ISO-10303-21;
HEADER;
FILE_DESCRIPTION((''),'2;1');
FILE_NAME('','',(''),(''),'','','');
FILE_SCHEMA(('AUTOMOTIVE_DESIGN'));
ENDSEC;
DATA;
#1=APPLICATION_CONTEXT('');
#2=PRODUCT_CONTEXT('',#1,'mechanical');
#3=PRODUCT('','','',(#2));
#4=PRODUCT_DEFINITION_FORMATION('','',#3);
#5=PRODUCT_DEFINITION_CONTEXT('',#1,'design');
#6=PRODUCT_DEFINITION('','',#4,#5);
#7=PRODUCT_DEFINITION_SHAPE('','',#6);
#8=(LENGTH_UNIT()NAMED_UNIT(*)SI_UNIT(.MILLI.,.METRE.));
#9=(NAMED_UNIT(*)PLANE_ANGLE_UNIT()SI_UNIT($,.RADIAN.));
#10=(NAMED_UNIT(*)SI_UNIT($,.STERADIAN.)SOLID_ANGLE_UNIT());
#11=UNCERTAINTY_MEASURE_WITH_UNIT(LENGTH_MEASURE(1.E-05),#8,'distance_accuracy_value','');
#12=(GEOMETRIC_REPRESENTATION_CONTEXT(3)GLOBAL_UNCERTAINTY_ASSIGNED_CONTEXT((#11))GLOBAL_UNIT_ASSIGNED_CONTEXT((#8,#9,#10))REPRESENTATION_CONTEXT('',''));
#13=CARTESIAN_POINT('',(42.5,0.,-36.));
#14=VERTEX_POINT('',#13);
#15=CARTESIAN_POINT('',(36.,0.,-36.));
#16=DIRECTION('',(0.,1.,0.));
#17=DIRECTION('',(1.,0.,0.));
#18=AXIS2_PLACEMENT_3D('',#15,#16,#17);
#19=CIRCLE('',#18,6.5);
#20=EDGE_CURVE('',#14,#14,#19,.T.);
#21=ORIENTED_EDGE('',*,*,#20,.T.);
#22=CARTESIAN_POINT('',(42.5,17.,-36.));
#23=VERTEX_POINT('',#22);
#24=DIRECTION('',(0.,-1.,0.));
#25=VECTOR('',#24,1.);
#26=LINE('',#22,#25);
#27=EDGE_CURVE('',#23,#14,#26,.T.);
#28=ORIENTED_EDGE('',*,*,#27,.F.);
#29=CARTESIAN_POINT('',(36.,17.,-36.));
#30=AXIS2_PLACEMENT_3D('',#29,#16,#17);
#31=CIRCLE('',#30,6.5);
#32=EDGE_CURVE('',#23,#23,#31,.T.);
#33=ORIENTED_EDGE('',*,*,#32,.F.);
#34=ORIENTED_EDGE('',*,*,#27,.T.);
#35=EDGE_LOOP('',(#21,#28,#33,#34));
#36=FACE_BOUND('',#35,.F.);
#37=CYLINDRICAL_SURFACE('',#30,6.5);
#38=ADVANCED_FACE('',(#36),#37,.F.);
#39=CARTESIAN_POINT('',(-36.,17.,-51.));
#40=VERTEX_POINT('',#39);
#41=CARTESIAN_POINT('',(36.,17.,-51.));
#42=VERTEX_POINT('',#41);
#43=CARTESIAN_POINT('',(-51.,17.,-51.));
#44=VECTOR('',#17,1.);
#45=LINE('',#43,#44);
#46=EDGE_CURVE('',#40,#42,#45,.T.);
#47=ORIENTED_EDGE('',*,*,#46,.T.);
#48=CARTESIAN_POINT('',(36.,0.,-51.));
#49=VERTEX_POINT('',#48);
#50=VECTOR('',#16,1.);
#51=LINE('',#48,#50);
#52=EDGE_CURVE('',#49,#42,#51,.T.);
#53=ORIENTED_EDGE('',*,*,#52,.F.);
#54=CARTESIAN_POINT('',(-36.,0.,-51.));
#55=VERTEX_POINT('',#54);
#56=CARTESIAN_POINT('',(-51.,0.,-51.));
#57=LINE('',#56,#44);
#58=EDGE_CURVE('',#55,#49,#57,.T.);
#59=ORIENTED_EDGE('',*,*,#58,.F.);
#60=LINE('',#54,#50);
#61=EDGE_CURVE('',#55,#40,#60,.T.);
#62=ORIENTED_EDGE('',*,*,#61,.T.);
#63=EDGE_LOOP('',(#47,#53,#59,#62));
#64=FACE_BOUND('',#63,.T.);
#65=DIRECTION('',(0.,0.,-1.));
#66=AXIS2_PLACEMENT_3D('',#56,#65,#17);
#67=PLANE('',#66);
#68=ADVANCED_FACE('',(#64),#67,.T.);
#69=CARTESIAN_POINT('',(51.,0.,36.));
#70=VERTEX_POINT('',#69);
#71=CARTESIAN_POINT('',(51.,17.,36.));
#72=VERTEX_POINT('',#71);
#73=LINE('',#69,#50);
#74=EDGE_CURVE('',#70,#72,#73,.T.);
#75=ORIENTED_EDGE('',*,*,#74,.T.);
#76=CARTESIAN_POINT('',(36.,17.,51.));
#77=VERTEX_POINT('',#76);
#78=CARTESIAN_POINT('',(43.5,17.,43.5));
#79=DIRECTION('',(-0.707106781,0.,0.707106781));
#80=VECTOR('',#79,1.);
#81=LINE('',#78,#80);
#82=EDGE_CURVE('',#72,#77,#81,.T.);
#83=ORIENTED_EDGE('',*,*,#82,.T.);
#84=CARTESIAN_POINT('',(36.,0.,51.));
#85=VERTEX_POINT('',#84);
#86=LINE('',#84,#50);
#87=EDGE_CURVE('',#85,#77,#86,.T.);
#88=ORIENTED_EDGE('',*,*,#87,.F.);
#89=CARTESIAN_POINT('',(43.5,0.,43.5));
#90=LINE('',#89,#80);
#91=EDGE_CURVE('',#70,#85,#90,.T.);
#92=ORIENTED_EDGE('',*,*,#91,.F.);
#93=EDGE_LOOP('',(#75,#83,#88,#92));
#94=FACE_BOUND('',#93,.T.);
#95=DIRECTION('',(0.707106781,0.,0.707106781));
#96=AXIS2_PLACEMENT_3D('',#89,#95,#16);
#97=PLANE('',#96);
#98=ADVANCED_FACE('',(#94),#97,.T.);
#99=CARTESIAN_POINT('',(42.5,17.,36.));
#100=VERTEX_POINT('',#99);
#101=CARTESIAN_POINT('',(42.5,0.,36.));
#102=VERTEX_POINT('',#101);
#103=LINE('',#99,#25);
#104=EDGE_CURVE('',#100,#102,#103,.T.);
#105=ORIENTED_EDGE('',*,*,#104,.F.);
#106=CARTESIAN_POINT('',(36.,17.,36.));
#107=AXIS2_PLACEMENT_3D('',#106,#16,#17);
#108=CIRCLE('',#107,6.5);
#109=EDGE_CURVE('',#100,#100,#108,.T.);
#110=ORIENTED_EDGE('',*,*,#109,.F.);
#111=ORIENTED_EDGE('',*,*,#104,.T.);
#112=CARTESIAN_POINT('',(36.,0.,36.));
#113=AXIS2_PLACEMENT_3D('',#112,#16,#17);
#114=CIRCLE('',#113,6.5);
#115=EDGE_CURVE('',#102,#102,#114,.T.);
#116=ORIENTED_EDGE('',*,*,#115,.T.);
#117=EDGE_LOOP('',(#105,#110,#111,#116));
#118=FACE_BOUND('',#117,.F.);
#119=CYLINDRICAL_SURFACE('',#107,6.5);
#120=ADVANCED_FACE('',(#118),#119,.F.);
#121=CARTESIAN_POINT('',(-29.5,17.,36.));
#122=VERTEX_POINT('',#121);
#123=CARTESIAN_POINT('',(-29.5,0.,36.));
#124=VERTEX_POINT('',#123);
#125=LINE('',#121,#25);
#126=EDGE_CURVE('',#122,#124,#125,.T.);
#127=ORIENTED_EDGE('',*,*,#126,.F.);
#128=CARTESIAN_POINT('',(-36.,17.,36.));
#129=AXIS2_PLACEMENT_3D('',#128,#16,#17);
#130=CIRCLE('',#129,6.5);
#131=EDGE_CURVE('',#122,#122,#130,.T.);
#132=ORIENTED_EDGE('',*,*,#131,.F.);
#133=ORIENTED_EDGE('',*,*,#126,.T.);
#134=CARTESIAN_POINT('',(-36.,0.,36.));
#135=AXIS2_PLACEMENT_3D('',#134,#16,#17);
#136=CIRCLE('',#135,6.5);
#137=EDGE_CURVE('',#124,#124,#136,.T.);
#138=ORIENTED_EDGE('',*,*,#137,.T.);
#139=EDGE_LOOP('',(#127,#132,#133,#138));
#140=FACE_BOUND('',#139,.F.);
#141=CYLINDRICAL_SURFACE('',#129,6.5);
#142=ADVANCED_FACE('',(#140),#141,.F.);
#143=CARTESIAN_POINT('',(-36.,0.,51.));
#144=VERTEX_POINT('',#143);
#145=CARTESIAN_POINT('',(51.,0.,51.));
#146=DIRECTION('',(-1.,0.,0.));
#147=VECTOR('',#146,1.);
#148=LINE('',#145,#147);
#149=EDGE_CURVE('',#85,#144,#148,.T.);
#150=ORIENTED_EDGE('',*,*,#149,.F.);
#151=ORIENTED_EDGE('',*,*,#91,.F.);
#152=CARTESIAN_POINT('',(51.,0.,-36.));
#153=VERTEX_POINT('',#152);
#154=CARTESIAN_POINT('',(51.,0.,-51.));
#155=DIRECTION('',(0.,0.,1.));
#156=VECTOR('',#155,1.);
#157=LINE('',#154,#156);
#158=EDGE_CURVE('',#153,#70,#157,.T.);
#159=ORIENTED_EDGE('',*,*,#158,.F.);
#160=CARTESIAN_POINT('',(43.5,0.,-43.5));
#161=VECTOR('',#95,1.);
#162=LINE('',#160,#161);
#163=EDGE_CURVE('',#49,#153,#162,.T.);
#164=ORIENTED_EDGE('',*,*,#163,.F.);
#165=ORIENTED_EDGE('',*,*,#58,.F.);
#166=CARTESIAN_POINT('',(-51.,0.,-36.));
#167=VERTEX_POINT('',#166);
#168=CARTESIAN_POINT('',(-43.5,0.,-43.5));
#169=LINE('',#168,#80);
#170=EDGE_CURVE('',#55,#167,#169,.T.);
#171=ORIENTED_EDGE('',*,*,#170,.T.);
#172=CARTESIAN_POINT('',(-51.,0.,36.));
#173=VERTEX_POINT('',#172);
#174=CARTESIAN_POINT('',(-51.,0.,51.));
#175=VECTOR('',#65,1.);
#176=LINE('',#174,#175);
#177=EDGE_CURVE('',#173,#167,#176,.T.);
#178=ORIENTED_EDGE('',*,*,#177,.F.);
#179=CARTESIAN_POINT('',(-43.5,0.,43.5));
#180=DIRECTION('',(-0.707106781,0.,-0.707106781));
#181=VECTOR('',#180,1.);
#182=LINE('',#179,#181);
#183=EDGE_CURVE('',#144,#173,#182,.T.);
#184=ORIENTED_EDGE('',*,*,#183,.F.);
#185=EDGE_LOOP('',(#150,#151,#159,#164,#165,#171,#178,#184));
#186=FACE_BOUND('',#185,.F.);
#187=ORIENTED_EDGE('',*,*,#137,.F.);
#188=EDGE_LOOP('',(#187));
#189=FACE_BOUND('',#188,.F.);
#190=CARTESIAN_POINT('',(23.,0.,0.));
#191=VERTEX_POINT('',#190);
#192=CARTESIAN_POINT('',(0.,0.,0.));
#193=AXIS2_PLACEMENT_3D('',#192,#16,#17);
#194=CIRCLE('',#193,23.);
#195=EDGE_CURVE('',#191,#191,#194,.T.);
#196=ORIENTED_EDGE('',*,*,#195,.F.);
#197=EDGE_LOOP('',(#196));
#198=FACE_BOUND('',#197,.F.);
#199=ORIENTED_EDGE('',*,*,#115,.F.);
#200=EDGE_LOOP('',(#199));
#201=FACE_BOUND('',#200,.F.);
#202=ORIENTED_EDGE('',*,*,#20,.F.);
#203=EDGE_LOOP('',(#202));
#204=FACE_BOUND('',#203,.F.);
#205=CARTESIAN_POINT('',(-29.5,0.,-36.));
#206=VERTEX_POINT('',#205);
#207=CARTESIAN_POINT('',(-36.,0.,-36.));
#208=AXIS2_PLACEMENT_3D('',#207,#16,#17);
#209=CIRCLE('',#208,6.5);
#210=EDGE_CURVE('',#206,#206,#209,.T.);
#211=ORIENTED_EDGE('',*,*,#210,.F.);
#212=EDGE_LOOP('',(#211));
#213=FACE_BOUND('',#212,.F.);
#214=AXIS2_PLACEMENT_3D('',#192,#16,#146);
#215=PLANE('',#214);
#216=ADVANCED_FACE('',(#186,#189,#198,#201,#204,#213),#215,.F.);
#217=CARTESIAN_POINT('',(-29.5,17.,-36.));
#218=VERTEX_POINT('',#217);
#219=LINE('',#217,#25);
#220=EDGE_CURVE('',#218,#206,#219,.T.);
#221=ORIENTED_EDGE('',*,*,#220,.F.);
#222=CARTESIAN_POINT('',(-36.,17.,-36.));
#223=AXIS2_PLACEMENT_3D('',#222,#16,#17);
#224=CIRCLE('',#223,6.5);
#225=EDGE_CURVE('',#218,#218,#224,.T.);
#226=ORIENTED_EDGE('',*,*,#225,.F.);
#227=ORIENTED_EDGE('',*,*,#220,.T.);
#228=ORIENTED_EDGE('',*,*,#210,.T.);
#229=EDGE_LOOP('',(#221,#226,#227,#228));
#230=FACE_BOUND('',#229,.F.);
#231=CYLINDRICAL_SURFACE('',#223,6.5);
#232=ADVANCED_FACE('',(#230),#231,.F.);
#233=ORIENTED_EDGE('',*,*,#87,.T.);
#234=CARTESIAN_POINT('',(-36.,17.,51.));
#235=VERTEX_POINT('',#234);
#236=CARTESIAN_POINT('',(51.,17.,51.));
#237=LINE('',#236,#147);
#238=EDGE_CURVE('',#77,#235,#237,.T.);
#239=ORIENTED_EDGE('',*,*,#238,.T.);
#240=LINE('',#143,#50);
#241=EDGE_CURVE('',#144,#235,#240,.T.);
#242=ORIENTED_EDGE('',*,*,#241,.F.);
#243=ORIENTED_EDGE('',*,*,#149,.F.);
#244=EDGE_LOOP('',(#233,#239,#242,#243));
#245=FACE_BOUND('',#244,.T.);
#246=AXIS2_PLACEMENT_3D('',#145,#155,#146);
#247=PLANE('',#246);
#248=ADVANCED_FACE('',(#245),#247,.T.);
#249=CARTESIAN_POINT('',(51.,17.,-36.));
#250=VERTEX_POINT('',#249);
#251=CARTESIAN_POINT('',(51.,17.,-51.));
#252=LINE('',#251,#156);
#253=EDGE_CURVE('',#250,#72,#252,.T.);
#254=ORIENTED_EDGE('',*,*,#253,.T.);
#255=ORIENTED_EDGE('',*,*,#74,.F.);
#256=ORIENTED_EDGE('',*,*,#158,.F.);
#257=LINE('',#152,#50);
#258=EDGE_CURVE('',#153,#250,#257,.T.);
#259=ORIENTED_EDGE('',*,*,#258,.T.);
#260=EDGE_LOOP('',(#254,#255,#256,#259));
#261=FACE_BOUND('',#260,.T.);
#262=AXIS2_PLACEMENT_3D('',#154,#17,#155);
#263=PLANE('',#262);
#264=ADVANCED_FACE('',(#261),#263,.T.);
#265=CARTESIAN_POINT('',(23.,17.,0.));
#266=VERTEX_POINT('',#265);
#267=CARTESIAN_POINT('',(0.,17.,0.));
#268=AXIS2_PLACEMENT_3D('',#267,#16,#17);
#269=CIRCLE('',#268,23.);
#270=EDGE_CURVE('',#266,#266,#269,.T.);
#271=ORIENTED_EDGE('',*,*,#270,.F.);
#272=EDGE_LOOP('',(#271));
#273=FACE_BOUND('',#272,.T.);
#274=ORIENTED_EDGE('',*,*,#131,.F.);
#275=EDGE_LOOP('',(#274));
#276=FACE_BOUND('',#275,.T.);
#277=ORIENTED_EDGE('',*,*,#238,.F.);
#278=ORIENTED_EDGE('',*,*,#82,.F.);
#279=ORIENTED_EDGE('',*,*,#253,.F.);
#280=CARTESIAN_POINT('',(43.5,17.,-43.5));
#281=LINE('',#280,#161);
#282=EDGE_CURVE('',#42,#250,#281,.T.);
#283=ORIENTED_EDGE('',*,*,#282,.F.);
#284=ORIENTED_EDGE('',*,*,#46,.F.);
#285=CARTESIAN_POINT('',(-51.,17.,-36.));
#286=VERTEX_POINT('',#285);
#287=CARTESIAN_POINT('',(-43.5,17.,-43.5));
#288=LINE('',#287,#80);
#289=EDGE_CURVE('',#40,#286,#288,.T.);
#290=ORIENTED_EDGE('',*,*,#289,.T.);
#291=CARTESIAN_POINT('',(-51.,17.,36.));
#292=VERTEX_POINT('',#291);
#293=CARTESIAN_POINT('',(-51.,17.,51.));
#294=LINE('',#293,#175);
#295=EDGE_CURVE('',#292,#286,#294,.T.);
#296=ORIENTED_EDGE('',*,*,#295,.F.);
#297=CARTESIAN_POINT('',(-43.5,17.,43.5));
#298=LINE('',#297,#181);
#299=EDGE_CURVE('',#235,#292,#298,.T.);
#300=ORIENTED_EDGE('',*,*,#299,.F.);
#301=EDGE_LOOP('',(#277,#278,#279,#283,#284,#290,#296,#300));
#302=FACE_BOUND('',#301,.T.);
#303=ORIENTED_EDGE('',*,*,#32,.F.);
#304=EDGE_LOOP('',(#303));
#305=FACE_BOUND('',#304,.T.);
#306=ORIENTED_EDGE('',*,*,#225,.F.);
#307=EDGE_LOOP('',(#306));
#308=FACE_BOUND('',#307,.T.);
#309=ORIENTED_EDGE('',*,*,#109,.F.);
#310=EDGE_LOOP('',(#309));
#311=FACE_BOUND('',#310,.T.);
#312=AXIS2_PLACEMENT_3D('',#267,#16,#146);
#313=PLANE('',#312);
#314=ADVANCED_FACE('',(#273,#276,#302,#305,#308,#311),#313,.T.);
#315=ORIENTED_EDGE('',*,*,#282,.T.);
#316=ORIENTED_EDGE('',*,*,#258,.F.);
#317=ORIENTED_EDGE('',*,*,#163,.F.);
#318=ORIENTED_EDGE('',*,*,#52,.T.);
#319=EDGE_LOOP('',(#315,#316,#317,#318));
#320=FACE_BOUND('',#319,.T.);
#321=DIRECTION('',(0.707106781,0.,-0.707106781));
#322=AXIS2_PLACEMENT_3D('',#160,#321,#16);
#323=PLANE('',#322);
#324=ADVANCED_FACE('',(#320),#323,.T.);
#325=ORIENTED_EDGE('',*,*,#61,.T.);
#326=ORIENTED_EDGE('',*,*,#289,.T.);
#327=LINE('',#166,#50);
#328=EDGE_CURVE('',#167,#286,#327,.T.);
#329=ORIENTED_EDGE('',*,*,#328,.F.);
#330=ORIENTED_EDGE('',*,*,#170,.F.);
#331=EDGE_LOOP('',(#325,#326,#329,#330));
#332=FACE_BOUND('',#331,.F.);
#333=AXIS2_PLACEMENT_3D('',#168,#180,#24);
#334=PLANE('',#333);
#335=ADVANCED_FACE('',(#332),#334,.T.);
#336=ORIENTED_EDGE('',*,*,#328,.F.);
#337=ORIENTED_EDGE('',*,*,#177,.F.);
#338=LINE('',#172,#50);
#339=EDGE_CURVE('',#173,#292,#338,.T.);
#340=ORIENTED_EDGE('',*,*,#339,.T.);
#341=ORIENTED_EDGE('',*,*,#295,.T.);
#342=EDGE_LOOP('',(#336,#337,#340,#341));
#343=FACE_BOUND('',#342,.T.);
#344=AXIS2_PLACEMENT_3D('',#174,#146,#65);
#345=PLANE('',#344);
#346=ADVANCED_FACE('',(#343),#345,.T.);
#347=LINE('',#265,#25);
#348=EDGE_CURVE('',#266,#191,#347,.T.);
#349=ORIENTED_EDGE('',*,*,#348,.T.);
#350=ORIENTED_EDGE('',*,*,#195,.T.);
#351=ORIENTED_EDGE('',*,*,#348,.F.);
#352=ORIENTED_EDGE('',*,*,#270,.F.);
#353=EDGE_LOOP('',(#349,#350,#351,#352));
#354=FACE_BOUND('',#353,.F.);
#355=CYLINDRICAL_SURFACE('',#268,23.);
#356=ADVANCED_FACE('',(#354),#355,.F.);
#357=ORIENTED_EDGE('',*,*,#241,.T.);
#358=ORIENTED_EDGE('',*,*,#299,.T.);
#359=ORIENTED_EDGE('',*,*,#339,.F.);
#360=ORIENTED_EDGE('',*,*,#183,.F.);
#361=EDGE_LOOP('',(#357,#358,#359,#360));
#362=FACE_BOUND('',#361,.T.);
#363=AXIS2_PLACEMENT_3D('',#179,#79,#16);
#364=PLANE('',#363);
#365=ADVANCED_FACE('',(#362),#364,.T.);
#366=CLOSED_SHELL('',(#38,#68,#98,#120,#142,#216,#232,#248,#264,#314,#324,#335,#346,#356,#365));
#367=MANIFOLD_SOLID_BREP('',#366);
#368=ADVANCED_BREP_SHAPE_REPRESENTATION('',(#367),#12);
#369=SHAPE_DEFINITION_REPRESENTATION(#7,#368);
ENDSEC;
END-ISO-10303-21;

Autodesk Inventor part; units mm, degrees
ref_plane "YZ Plane" through (0, 0, 0) normal (1, 0, 0) x (0, 1, 0)
ref_plane "XZ Plane" through (0, 0, 0) normal (0, 1, 0) x (-1, 0, 0)
ref_plane "XY Plane" through (0, 0, 0) normal (0, 0, 1) x (1, 0, 0)
sketch "Sketch1" plane through (0, 0, 0) normal (0, 1, 0) x (-1, 0, 0)
  line L0 (51, -51) -> (-51, -51)
  line L1 (-51, -51) -> (-51, 51)
  line L2 (-51, 51) -> (51, 51)
  line L3 (51, 51) -> (51, -51)
  line L4 (51, -51) -> (-51, 51) construction
  line L5 (-51, -51) -> (51, 51) construction
  point P0 (0, 0)
  dimension "d0" = 102
  dimension "d1" = 102
extrude "Extrusion1" add sketch "Sketch1" along normal blind 17
chamfer "Chamfer1" distance 15 angle 45 4 edges at (51, 8.5, 51) (51, 8.5, -51) (-51, 8.5, -51) (-51, 8.5, 51)
sketch "Sketch2" plane through (0, 17, 0) normal (0, 1, 0) x (1, 0, 0)
  line L0 (51, -36) -> (51, 36) projected
  line L1 (-51, 36) -> (-51, -36) projected
  line L2 (51, -36) -> (36, -51) projected
  line L3 (36, 51) -> (-36, 51)
  circle A0 centre (36, -36) radius 6.5
  circle A1 centre (-36, -36) radius 6.5
  circle A2 centre (36, 36) radius 6.5
  circle A3 centre (-36, 36) radius 6.5
  circle A4 centre (0, 0) radius 23
  dimension "d7" = 13
  dimension "d8" = 13
  dimension "d9" = 13
  dimension "d10" = 13
  dimension "d22" = 46
extrude "Extrusion2" cut sketch "Sketch2" against normal through all contours A0 | A1 | A2 | A3
thread "Thread1" size "M14x2" class "6H" standard "ANSI Metric M Profile" full length
thread "Thread2" size "M14x2" class "6H" standard "ANSI Metric M Profile" full length
thread "Thread3" size "M14x2" class "6H" standard "ANSI Metric M Profile" full length
thread "Thread4" size "M14x2" class "6H" standard "ANSI Metric M Profile" full length
sketch "Sketch3" plane through (0, 17, 0) normal (0, 1, 0) x (1, 0, 0)
  circle A0 centre (0, 0) radius 23
  dimension "d23" = 46
extrude "Extrusion3" cut sketch "Sketch3" against normal through all
properties part number "00.32.004 \"Flange\"" material "Steel"
